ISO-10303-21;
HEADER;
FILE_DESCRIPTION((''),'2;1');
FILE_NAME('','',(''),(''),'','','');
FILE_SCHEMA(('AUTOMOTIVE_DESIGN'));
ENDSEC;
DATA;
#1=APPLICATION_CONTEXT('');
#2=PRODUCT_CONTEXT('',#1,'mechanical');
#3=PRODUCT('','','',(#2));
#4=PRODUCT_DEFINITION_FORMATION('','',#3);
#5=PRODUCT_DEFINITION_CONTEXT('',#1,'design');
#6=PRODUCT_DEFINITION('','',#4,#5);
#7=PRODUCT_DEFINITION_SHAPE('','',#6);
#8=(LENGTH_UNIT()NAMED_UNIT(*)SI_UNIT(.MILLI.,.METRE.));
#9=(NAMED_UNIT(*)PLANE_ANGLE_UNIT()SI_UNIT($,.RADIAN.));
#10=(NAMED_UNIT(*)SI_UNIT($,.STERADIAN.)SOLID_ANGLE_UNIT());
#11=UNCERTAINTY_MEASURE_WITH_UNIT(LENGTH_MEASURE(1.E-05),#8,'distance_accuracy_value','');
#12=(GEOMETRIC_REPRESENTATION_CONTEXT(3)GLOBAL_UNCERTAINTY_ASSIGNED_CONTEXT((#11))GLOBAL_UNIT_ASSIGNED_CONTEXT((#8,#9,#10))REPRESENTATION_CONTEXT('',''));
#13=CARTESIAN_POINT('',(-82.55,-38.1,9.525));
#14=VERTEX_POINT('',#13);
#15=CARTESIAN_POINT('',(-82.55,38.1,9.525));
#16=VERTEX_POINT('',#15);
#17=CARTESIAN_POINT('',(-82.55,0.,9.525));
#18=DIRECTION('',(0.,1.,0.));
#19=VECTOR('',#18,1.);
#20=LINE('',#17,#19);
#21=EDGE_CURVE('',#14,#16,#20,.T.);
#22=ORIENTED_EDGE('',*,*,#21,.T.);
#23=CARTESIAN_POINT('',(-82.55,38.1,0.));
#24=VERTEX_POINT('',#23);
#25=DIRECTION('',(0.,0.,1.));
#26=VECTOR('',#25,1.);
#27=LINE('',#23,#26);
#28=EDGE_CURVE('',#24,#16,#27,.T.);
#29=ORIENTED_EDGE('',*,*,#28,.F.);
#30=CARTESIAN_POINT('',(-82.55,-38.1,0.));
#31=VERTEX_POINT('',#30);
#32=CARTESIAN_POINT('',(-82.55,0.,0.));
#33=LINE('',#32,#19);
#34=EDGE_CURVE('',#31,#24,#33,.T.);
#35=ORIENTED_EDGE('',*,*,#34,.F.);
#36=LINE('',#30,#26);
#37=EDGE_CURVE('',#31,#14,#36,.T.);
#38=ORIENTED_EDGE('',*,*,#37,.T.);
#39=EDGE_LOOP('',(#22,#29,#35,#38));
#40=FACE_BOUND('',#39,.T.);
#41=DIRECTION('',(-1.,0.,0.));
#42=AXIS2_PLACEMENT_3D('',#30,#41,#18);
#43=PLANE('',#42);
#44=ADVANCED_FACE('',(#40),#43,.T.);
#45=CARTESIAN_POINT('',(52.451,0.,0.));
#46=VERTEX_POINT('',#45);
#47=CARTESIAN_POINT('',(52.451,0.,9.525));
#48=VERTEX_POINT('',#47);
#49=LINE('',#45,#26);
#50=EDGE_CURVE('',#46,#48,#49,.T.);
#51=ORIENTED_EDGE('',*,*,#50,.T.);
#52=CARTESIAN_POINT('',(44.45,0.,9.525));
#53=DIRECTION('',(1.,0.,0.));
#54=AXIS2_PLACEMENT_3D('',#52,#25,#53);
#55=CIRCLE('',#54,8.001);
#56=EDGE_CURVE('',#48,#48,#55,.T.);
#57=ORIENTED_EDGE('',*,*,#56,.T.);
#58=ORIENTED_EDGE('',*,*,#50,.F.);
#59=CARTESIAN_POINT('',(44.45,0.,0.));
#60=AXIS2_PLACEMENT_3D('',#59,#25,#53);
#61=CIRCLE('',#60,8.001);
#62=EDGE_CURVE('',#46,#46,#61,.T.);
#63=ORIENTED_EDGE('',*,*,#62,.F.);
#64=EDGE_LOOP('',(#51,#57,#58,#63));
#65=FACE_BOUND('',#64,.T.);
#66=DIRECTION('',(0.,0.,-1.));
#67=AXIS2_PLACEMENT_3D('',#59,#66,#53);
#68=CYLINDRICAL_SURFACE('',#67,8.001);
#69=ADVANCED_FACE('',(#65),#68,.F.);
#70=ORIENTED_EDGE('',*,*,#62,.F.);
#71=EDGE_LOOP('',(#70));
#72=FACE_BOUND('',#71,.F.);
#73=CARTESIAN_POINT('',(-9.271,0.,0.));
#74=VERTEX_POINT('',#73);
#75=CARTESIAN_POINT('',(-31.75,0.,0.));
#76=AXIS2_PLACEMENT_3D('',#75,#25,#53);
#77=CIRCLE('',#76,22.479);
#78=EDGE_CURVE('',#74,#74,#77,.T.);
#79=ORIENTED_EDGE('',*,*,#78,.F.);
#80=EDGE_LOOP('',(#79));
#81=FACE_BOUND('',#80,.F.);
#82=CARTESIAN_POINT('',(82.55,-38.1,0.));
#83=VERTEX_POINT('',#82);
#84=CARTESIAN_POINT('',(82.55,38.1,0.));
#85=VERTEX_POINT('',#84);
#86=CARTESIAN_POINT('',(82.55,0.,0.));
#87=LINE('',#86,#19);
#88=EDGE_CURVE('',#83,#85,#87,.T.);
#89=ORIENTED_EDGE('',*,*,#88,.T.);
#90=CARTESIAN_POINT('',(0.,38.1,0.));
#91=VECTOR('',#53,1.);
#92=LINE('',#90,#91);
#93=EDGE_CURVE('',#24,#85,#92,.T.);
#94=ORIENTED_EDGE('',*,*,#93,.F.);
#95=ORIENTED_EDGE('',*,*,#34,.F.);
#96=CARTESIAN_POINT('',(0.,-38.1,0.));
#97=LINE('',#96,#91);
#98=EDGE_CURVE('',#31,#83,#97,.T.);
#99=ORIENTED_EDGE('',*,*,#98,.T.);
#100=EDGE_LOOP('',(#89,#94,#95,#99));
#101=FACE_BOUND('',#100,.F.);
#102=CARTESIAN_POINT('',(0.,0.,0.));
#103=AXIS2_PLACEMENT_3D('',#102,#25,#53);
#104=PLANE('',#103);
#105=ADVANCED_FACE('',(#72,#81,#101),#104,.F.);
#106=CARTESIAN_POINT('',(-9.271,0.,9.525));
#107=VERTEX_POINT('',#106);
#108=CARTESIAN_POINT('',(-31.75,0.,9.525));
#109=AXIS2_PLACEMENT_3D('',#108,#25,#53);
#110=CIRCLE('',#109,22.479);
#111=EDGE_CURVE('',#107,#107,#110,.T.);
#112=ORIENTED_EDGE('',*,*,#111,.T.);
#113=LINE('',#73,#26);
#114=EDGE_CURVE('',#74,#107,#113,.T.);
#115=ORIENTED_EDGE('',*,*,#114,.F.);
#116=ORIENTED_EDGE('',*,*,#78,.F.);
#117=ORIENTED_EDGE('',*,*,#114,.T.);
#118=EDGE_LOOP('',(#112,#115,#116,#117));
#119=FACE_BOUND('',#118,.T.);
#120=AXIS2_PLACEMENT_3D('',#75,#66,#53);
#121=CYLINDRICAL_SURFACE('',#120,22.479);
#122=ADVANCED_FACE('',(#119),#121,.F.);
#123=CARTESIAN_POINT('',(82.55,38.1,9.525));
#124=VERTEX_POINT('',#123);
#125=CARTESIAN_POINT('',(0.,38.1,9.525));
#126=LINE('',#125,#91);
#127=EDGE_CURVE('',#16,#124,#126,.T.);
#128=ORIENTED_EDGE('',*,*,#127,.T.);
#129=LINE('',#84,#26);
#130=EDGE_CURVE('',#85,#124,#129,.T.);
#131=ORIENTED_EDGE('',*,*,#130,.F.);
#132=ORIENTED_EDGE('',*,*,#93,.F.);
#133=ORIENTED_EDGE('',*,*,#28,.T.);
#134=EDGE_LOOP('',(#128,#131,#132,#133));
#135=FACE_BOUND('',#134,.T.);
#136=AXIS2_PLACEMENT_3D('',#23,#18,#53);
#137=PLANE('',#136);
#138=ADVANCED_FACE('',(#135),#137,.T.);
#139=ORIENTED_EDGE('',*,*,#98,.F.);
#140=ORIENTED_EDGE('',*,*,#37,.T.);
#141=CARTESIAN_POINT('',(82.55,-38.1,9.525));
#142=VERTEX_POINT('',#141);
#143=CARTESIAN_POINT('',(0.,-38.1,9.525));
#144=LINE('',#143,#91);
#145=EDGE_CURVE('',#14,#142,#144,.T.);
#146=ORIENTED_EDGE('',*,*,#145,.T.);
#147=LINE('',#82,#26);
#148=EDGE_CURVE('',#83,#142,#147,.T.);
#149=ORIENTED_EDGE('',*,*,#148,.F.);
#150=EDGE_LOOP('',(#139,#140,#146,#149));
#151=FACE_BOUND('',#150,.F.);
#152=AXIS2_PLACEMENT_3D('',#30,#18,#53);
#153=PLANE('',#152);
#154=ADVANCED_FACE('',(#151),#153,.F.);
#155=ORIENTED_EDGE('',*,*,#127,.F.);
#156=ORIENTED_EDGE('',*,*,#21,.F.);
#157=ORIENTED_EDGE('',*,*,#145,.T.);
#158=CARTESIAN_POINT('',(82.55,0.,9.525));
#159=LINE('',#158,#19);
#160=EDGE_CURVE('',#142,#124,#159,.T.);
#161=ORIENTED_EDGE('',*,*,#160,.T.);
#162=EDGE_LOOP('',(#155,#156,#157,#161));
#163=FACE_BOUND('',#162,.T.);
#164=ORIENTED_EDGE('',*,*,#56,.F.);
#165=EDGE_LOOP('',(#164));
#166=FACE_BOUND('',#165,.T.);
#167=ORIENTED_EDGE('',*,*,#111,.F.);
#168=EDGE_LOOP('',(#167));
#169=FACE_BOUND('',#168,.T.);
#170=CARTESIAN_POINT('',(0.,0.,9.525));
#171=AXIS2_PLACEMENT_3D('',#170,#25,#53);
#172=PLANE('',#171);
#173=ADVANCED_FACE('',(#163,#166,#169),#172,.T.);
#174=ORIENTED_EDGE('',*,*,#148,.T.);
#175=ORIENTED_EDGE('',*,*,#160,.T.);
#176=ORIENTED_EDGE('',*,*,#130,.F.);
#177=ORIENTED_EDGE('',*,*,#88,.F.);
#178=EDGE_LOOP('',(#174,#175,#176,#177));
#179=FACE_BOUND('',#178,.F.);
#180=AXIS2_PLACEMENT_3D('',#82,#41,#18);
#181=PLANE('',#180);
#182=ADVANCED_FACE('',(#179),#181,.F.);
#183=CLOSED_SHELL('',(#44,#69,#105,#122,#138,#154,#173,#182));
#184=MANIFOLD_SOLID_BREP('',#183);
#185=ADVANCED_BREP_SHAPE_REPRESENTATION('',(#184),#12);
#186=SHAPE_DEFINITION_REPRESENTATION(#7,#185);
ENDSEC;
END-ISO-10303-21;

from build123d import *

# Parameters (mm, degrees)
F0_W     = 165.1
F0_H     = 76.2
F0_R     = 22.479
F0_R_2   = 8.001
F1_DEPTH = 9.525


with BuildPart() as f1:
    # F0 (on Top) → F1 (new body)
    with BuildSketch(Plane.XY):
        Rectangle(F0_W, F0_H)
        with Locations((-31.75, 0)):
            Circle(F0_R, mode=Mode.SUBTRACT)
        with Locations((44.45, 0)):
            Circle(F0_R_2, mode=Mode.SUBTRACT)
    extrude(amount=F1_DEPTH)


solid = f1.part
